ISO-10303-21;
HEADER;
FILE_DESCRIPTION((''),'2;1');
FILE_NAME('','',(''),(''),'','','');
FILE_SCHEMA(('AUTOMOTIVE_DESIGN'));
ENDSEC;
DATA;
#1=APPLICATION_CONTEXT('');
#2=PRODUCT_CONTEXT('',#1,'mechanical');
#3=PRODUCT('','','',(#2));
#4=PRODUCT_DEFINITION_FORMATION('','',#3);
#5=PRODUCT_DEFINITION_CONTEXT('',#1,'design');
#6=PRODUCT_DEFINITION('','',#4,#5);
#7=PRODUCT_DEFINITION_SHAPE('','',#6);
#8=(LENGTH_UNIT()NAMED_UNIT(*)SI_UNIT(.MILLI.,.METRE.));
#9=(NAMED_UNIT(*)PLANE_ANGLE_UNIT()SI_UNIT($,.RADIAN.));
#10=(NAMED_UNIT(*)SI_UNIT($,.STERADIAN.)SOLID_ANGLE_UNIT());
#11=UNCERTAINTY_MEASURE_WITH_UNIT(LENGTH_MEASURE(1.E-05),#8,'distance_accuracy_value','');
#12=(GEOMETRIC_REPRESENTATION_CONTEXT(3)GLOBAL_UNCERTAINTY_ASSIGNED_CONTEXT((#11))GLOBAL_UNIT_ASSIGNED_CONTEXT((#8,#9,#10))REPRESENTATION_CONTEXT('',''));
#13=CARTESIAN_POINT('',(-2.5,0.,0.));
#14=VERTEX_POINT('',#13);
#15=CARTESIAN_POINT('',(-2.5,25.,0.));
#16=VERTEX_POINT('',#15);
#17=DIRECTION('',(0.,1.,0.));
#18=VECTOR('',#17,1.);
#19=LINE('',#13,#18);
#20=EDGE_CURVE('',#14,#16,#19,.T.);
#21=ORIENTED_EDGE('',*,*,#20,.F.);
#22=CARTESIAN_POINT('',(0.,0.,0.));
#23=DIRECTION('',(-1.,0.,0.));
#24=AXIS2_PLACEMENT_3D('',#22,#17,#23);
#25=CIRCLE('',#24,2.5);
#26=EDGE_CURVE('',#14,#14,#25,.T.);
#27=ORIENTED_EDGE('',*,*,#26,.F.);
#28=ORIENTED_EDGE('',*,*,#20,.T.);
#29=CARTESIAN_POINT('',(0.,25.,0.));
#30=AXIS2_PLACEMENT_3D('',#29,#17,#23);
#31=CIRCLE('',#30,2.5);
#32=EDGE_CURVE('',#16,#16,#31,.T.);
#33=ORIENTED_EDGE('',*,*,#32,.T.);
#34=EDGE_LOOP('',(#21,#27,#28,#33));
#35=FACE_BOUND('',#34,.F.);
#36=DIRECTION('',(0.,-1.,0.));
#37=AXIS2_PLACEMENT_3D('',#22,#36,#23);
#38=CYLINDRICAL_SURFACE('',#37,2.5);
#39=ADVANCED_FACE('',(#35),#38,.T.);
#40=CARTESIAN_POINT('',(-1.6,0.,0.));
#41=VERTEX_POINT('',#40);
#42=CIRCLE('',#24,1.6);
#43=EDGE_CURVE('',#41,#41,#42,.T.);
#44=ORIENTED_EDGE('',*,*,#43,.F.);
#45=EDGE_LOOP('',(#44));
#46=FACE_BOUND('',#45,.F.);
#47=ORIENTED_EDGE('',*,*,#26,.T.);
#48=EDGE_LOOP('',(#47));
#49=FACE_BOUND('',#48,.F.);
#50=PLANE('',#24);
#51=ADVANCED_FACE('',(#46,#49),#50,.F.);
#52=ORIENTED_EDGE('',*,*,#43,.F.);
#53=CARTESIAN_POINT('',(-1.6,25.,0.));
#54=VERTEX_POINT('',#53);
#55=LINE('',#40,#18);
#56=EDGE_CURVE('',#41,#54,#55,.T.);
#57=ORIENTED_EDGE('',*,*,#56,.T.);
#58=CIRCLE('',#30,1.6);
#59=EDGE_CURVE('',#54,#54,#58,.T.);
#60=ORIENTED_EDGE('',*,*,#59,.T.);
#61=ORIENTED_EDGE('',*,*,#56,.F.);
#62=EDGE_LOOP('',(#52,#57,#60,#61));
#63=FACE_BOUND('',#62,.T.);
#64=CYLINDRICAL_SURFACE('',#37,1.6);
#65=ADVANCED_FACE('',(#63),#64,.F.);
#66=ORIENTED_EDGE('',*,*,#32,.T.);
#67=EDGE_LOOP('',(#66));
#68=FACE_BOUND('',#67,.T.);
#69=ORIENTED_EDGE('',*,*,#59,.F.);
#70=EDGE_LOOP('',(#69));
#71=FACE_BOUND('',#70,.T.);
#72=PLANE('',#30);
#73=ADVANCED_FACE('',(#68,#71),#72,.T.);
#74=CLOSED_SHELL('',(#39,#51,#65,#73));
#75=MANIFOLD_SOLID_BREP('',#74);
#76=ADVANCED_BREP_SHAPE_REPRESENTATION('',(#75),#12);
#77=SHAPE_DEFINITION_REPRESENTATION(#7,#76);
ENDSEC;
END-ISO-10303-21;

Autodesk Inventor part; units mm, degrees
ref_plane "YZ Plane" through (0, 0, 0) normal (1, 0, 0) x (0, 1, 0)
ref_plane "XZ Plane" through (0, 0, 0) normal (0, 1, 0) x (-1, 0, 0)
ref_plane "XY Plane" through (0, 0, 0) normal (0, 0, 1) x (1, 0, 0)
sketch "Sketch1" plane through (0, 0, 0) normal (0, 1, 0) x (-1, 0, 0)
  circle A0 centre (0, 0) radius 1.6
  circle A1 centre (0, 0) radius 2.5
  dimension "d0" = 3.2
  dimension "d1" = 5
extrude "Extrusion1" add sketch "Sketch1" along normal blind 25
properties part number "Controller-IR-Spacer(FusionThread)"
